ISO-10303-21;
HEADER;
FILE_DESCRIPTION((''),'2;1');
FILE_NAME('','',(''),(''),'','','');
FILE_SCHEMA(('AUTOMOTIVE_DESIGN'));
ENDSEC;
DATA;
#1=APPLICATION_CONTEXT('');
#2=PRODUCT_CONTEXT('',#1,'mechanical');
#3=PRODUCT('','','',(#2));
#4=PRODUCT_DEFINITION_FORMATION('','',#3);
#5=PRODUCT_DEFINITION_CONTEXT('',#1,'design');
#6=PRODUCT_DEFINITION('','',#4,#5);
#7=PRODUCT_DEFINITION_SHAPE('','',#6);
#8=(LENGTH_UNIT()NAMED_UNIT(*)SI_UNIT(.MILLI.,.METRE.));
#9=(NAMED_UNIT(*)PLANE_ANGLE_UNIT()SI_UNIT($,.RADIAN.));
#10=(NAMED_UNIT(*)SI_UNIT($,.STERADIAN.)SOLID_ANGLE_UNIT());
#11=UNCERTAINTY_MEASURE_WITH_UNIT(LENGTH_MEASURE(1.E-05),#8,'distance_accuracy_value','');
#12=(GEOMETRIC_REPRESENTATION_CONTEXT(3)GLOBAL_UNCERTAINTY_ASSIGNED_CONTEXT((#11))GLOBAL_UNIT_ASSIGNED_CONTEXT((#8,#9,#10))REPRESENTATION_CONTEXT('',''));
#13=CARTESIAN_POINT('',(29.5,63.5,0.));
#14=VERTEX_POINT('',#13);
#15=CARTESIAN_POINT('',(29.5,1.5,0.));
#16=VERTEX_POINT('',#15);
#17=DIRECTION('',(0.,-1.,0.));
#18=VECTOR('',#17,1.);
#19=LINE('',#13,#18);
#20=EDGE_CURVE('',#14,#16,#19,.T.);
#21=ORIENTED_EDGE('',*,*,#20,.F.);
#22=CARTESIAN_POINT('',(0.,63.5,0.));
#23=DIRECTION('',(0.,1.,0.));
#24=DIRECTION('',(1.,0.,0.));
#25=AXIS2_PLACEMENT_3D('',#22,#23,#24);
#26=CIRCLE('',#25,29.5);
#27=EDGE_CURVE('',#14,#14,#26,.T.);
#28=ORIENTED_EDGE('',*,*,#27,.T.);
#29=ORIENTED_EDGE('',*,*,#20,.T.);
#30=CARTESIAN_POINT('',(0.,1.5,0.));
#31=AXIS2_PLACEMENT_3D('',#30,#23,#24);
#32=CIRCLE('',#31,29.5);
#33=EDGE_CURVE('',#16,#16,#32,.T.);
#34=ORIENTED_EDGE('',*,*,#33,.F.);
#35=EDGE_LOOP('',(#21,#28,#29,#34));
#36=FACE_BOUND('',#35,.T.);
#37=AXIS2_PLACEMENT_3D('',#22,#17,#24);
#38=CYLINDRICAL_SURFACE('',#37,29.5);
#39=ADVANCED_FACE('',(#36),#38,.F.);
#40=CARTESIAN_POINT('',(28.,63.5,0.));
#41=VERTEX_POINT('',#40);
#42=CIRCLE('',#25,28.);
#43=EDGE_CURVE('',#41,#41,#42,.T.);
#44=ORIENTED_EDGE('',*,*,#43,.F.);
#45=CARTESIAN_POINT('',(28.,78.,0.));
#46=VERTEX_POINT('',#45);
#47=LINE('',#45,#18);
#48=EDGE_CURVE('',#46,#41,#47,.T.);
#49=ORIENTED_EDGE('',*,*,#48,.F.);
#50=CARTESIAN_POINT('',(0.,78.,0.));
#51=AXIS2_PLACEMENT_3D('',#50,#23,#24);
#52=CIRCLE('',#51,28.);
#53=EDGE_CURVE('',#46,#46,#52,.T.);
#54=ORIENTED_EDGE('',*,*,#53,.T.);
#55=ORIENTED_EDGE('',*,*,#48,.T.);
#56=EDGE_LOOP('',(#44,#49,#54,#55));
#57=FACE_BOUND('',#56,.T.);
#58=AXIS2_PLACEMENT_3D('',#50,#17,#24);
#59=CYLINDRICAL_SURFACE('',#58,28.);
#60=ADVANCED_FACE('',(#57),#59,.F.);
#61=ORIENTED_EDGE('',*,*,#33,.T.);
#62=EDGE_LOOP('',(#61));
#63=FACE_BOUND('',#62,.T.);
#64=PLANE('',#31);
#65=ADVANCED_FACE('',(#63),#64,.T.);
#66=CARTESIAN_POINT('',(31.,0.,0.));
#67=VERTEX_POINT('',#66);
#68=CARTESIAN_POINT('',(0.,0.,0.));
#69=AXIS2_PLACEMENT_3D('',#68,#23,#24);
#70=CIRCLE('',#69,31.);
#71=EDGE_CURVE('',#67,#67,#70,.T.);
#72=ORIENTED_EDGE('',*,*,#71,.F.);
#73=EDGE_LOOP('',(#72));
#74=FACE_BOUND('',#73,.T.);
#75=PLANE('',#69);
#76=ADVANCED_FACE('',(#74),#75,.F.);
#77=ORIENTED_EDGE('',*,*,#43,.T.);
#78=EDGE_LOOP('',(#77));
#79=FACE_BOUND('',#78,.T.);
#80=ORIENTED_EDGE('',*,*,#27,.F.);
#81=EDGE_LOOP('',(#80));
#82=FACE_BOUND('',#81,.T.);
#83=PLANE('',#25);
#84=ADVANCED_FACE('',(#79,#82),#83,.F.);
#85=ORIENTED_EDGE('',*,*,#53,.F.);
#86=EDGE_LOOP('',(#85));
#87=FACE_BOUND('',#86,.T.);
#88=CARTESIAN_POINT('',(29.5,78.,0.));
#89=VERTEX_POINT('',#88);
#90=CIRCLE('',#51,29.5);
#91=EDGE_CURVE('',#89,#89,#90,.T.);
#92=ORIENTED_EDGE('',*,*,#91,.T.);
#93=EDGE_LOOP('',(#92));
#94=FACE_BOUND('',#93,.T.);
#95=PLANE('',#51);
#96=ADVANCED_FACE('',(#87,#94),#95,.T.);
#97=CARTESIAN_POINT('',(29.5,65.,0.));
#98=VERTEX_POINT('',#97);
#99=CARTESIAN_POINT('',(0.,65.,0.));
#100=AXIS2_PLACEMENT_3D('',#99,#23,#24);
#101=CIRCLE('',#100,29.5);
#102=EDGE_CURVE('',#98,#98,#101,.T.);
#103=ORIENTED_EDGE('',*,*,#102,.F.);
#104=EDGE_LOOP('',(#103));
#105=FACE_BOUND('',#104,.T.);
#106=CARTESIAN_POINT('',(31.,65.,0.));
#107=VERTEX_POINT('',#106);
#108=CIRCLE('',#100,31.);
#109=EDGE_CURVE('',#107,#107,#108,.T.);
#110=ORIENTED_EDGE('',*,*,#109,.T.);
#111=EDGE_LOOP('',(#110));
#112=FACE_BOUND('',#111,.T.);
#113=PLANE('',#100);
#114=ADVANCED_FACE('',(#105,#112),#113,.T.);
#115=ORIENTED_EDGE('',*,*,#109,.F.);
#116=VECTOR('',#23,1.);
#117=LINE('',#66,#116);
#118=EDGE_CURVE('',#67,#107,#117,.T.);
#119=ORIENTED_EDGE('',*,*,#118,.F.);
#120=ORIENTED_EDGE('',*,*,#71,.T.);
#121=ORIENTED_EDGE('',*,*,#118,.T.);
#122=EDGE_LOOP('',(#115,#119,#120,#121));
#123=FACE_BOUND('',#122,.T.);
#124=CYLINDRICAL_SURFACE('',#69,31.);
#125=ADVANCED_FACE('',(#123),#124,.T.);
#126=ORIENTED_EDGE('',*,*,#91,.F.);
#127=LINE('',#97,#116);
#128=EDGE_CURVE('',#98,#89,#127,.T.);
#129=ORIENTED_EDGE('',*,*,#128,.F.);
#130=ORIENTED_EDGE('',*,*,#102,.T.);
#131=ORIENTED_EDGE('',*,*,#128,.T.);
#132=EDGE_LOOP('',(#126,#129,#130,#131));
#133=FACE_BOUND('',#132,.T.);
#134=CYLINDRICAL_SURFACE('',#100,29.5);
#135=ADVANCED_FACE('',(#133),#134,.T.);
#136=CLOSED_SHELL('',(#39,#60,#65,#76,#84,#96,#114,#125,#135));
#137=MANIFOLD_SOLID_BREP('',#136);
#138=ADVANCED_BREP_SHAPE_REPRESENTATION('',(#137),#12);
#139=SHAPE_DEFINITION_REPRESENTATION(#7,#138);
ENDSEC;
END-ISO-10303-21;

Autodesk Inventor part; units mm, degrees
ref_plane "YZ Plane" through (0, 0, 0) normal (1, 0, 0) x (0, 1, 0)
ref_plane "XZ Plane" through (0, 0, 0) normal (0, 1, 0) x (-1, 0, 0)
ref_plane "XY Plane" through (0, 0, 0) normal (0, 0, 1) x (1, 0, 0)
sketch "Sketch1" plane through (0, 0, 0) normal (0, 0, 1) x (1, 0, 0)
  line L0 (0, 0) -> (31, 0)
  line L1 (31, 0) -> (31, 65)
  line L2 (31, 65) -> (29.5, 65)
  line L3 (29.5, 65) -> (29.5, 78)
  line L4 (29.5, 78) -> (28, 78)
  line L5 (28, 76.5) -> (28, 76.5)
  line L6 (28, 78) -> (28, 63.5)
  line L7 (28, 63.5) -> (29.5, 63.5)
  line L8 (29.5, 63.5) -> (29.5, 1.5)
  line L9 (29.5, 1.5) -> (0, 1.5)
  line L10 (0, 0) -> (0, 76.5) construction
  line L11 (0, 0) -> (0, 1.5)
  dimension "d1" = 31
  dimension "d2" = 65
  dimension "d3" = 1.5
  dimension "d4" = 13
  dimension "d5" = 1.5
  dimension "d6" = 1.5
revolve "Revolution1" add sketch "Sketch1" angle 360 about axis through (0, 0, 0) along (0, 1, 0)
properties part number "red_base"
